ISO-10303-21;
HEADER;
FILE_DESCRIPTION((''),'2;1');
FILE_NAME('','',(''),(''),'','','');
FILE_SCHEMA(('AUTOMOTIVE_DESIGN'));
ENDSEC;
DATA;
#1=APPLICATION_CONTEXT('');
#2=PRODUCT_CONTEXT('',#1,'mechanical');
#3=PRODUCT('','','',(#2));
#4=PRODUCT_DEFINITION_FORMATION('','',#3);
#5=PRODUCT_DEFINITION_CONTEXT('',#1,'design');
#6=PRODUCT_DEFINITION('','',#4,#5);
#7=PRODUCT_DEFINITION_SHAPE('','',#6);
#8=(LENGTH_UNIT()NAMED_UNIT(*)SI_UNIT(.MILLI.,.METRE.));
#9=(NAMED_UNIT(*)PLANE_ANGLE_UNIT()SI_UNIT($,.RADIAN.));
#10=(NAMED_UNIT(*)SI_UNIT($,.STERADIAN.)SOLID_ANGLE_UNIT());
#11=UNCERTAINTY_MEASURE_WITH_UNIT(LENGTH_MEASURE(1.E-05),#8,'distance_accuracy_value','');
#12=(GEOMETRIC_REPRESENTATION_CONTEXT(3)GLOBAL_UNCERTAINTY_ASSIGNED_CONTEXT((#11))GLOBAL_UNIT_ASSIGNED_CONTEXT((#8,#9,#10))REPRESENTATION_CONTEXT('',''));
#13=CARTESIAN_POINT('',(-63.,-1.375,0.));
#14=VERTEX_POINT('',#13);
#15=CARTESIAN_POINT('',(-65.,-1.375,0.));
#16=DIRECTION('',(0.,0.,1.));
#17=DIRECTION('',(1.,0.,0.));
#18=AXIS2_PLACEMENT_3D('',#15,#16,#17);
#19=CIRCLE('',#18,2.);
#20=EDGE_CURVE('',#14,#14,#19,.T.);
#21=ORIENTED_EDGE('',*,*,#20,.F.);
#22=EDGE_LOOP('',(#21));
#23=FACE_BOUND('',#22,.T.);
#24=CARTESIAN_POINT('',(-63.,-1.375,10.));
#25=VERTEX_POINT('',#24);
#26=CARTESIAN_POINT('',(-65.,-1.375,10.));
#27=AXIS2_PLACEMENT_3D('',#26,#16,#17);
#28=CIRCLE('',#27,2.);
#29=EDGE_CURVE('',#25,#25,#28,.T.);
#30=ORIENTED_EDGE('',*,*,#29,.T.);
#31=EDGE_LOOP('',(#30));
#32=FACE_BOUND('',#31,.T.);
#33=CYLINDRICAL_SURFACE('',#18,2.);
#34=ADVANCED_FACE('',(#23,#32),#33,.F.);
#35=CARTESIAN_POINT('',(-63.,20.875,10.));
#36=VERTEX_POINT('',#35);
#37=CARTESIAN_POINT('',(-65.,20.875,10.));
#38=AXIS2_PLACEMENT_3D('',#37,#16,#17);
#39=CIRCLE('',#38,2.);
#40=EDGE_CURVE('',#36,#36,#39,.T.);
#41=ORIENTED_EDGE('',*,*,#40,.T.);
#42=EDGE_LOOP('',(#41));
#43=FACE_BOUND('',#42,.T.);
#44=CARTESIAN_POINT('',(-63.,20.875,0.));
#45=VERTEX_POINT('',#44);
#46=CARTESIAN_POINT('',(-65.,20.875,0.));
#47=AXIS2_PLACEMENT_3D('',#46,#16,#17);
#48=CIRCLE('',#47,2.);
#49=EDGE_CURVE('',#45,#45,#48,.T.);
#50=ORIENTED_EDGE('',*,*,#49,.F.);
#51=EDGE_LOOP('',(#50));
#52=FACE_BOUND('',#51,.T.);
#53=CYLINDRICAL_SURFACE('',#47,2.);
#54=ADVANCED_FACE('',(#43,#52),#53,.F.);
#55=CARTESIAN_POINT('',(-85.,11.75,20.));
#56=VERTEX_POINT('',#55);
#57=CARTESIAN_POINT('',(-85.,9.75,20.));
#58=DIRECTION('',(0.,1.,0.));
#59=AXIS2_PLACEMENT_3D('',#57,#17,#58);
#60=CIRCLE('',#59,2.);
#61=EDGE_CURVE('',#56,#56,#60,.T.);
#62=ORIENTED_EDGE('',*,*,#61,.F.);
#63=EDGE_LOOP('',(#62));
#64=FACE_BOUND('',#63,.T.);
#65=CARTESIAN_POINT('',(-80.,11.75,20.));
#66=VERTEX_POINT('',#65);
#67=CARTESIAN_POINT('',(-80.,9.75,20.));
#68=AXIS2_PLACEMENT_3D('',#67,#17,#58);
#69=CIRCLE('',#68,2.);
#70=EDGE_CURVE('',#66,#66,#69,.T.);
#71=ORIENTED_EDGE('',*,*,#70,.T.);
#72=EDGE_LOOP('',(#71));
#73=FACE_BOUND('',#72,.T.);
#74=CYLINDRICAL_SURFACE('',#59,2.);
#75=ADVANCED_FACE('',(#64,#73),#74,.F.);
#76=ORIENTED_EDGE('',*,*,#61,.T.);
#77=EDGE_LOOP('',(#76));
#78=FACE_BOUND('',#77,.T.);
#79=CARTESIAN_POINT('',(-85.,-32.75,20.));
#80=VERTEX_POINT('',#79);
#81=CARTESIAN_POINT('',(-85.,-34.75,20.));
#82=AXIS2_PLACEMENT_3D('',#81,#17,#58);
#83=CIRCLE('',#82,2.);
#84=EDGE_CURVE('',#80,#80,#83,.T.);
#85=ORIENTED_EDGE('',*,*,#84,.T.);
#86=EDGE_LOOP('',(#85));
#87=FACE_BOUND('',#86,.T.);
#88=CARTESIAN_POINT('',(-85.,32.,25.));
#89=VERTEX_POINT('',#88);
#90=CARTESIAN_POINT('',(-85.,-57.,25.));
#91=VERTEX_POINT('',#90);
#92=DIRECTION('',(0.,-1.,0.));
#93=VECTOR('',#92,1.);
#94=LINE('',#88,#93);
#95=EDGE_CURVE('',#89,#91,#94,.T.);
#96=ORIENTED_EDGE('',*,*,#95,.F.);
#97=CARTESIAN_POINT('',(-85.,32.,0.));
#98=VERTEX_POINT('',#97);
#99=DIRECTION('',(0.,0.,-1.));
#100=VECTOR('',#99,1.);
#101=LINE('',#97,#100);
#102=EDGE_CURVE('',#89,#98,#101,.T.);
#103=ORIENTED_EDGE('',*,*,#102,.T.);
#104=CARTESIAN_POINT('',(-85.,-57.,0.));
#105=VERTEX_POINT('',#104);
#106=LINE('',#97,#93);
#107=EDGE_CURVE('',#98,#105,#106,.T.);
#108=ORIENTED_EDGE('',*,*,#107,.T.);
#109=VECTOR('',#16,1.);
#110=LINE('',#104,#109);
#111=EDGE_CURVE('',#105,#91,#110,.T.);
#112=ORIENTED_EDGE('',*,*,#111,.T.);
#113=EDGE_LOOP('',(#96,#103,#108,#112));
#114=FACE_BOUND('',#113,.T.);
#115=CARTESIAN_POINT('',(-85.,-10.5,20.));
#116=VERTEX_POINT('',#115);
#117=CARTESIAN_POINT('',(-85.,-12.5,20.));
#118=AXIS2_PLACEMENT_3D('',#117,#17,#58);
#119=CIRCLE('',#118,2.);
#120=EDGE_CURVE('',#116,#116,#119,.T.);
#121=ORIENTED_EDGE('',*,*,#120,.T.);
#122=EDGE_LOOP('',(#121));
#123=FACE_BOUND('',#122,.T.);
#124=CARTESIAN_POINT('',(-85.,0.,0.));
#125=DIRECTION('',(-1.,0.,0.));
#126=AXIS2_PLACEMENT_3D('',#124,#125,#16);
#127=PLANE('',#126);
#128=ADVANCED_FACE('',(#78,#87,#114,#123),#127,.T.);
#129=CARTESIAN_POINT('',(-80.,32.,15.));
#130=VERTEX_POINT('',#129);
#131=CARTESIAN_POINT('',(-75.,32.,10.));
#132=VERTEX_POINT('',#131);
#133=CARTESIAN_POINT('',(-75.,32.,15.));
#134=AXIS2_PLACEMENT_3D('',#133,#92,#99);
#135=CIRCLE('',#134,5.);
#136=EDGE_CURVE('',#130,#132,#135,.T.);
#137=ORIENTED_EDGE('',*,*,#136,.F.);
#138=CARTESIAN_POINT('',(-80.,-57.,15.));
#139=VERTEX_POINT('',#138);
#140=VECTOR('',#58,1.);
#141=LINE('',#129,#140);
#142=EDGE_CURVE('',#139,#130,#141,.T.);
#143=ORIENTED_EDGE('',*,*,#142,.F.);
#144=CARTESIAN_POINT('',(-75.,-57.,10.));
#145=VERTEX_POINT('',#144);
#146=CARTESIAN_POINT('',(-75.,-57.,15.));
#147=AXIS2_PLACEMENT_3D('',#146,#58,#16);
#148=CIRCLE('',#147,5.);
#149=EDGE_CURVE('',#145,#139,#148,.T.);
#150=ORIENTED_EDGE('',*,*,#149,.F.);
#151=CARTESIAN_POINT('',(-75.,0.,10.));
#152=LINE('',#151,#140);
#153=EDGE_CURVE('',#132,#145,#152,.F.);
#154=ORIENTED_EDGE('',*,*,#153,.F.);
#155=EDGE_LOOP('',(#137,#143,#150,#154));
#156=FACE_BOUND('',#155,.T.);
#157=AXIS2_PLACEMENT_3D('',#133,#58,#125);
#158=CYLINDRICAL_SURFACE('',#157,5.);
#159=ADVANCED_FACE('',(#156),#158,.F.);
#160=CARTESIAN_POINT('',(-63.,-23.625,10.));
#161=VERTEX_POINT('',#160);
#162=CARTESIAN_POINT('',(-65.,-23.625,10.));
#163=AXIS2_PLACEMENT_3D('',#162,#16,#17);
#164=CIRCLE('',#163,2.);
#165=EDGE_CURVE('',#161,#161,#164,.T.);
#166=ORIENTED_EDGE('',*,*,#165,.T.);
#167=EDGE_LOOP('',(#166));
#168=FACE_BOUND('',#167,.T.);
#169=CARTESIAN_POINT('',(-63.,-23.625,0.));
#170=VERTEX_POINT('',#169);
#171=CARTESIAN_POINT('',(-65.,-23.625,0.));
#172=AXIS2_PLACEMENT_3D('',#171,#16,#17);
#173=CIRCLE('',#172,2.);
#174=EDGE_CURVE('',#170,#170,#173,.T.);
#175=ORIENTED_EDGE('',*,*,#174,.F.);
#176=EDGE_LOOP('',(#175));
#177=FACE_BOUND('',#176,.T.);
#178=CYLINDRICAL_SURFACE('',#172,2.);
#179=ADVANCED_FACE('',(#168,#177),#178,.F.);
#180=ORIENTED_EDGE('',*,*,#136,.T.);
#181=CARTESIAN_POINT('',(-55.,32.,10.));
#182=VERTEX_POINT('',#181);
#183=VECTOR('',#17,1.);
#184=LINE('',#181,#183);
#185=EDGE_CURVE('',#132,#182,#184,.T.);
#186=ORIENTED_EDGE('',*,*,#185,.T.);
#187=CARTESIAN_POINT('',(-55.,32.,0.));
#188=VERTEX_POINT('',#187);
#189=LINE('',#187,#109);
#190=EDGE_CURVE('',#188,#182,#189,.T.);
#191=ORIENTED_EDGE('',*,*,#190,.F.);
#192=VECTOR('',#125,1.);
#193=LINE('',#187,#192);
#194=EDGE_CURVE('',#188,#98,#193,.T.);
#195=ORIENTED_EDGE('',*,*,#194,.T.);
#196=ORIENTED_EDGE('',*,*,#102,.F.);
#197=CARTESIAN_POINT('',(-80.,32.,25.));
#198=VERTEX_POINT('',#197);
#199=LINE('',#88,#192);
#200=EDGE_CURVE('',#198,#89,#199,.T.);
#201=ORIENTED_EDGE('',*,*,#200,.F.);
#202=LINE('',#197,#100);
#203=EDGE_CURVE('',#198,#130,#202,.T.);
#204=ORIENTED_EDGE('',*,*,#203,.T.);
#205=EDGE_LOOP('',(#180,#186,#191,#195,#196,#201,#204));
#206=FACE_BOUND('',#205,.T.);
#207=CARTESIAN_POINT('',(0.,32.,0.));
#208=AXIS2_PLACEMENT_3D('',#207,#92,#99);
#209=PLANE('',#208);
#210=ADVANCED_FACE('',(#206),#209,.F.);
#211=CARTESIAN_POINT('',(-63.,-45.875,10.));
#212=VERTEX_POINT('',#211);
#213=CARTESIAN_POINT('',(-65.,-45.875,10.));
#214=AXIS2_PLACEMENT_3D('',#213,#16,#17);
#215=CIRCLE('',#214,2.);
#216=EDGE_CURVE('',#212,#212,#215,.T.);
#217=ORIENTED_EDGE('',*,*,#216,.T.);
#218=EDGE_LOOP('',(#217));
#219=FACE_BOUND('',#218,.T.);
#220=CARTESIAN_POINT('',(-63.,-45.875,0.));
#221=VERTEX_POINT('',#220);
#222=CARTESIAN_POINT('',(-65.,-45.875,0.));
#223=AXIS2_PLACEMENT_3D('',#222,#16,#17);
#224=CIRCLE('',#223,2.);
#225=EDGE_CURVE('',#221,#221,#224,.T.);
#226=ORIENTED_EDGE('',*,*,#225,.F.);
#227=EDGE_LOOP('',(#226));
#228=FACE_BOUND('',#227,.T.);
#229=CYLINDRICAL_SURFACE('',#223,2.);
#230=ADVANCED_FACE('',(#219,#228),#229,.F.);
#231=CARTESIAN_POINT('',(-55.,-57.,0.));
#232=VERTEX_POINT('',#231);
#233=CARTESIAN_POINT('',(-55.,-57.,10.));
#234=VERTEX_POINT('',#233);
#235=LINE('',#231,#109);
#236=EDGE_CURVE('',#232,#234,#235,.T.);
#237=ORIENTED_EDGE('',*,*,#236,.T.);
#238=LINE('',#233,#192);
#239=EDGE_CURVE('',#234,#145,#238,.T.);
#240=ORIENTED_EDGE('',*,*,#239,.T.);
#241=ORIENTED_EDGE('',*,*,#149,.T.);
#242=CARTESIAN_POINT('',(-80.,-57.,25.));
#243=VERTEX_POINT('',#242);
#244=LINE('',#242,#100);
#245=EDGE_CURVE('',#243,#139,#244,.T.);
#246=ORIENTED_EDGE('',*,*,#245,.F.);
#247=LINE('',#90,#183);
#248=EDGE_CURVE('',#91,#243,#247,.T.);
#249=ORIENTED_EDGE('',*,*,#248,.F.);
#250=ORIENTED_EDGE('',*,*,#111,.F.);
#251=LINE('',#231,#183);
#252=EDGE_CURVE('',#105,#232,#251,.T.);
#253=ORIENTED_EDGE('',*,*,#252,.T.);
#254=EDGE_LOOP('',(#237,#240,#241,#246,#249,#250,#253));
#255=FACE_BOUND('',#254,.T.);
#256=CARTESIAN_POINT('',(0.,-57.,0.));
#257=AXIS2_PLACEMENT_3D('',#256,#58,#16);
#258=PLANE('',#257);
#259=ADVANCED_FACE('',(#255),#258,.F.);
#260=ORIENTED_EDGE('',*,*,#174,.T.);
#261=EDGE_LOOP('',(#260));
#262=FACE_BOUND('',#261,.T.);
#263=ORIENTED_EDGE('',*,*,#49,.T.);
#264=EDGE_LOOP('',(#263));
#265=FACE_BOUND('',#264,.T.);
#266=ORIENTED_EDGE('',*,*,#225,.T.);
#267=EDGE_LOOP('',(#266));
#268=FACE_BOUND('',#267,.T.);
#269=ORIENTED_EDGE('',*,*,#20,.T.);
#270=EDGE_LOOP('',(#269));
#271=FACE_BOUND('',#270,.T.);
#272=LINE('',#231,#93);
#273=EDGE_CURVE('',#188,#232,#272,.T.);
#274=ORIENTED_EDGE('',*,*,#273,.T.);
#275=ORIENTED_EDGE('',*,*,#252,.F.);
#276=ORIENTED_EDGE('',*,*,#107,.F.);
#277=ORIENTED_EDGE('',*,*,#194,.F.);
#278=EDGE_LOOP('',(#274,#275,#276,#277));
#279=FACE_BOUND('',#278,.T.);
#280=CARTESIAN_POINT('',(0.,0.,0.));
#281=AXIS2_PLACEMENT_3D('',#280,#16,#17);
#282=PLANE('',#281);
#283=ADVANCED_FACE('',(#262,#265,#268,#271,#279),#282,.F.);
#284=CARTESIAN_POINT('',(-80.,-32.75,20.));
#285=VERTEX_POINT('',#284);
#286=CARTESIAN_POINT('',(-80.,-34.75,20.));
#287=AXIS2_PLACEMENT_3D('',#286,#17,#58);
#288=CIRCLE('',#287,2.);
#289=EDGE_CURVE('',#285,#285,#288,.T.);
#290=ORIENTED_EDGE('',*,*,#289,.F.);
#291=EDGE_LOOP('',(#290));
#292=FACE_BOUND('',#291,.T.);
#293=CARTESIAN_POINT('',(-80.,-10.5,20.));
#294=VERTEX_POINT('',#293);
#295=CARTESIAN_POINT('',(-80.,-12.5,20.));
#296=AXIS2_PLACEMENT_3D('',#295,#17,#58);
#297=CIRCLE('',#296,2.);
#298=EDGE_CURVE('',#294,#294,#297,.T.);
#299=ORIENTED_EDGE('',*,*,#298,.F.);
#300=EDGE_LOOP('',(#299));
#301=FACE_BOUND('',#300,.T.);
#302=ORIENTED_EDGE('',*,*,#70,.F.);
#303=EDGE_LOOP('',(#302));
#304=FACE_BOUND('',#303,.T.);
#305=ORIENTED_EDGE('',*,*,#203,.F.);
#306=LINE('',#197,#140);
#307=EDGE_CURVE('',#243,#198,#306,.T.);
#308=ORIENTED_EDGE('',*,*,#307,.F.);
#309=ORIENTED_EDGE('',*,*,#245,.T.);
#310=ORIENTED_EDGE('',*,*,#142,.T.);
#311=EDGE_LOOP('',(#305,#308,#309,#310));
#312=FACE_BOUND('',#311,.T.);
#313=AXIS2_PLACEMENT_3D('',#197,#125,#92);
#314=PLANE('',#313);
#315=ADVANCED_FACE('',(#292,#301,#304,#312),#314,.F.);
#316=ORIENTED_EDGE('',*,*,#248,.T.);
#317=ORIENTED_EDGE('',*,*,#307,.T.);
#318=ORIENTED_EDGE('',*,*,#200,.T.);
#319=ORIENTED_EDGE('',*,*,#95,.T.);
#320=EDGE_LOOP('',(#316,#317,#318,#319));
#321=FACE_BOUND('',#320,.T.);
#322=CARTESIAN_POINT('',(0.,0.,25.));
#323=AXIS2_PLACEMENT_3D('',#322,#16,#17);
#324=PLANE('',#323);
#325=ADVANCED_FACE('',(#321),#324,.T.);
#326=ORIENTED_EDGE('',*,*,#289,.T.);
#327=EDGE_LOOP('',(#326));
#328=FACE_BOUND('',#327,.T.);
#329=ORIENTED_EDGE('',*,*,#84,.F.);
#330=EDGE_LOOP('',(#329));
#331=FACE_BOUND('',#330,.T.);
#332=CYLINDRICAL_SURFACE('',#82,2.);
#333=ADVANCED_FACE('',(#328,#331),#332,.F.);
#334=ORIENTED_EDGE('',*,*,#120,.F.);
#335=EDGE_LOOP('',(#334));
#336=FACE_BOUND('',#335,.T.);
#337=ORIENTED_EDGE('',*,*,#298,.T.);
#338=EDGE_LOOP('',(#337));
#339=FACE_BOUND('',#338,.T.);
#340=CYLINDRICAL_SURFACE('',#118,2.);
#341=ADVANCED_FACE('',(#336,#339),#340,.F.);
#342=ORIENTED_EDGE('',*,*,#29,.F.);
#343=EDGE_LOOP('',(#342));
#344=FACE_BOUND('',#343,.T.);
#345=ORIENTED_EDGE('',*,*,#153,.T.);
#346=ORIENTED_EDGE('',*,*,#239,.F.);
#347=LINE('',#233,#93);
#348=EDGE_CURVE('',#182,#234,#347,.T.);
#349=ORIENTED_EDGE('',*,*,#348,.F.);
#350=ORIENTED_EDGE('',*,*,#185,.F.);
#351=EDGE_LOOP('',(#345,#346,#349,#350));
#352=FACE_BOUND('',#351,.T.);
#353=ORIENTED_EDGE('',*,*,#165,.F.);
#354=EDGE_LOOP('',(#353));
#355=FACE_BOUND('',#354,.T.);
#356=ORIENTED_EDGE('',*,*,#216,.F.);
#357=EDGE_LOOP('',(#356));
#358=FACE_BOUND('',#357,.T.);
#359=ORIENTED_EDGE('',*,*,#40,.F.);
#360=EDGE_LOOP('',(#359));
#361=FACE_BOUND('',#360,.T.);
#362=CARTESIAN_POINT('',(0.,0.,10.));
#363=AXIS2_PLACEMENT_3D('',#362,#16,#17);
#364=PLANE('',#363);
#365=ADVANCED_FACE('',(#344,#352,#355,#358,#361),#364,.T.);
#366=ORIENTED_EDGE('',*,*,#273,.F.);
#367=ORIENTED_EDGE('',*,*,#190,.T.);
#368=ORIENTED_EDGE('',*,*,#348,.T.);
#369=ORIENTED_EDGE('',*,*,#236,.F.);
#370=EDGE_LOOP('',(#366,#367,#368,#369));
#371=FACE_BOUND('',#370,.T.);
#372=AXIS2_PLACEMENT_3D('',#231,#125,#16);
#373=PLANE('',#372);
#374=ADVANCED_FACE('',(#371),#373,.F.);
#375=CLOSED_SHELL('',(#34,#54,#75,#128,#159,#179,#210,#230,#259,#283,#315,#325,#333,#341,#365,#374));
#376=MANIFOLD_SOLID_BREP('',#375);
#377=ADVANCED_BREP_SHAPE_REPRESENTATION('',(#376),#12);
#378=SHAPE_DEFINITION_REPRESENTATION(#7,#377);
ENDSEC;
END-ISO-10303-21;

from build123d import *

# Parameters (mm, degrees)
BOSS_EXTRUDE1_DEPTH     = 10
CUT_EXTRUDE1_DEPTH      = 72.414284285
CUT_EXTRUDE1_DEPTH_BACK = 72.414284285
SKETCH2_R               = 1.5
SKETCH9_W               = 10
SKETCH9_H               = 50
BOSS_EXTRUDE9_DEPTH     = 5
SKETCH10_W              = 10
SKETCH10_H              = 50
BOSS_EXTRUDE10_DEPTH    = 5
BOSS_EXTRUDE11_DEPTH    = 2
SKETCH12_W              = 10
SKETCH12_H              = 10
BOSS_EXTRUDE12_DEPTH    = 5
CUT_EXTRUDE2_START      = 7
SKETCH13_R              = 1.5
CUT_EXTRUDE2_DEPTH      = 7
BOSS_EXTRUDE13_DEPTH    = 2
SKETCH15_W              = 9.981523119
SKETCH15_H              = 10
BOSS_EXTRUDE14_DEPTH    = 30
SKETCH16_R              = 1.5
CUT_EXTRUDE3_DEPTH      = 32
SKETCH17_W              = 10
SKETCH17_H              = 89
BOSS_EXTRUDE15_DEPTH    = 30
SKETCH19_W              = 5
SKETCH19_H              = 89
BOSS_EXTRUDE16_DEPTH    = 15
FILLET1_R               = 5
SKETCH20_R              = 2
CUT_EXTRUDE4_DEPTH      = 149.657324071
SKETCH21_R              = 2
CUT_EXTRUDE5_DEPTH      = 10
SKETCH22_W              = 110
SKETCH22_H              = 89
CUT_EXTRUDE6_DEPTH      = 104.435970532


with BuildPart() as part:
    # Sketch1 → Boss-Extrude1 (new body)
    with BuildSketch(Plane.XY):
        with BuildLine():
            Line((45.018476881, -25), (50, -25))
            Line((50, -25), (50, 25))
            Line((50, 25), (45, 25))
            ThreePointArc((45, 25), (0, 8), (-45, 25))
            Line((-45, 25), (-50, 25))
            Line((-50, 25), (-50, -25))
            Line((-50, -25), (-45.018476881, -25))
            ThreePointArc((-45.018476881, -25), (0, -8), (45.018476881, -25))
        make_face()
    extrude(amount=BOSS_EXTRUDE1_DEPTH)

    # Sketch2 → Cut-Extrude1 (cut, two sides: drawn at the far end of the back side and taken through both)
    with BuildSketch(Plane(origin=(0, 25, 0), x_dir=(1, 0, 0), z_dir=(0, 1, 0)).offset(-CUT_EXTRUDE1_DEPTH_BACK)):
        with Locations(Location((-48, -5, 0), (0, 0, 180))):
            Circle(SKETCH2_R)
        with Locations(Location((48, -5, 0), (0, 0, 180))):
            Circle(SKETCH2_R)
    extrude(amount=CUT_EXTRUDE1_DEPTH + CUT_EXTRUDE1_DEPTH_BACK, mode=Mode.SUBTRACT)

    # Sketch9 → Boss-Extrude9 (add)
    with BuildSketch(Plane(origin=(50, 0, 0), x_dir=(0, 0, -1), z_dir=(1, 0, 0))):
        with Locations((-5, 0)):
            Rectangle(SKETCH9_W, SKETCH9_H)
    extrude(amount=BOSS_EXTRUDE9_DEPTH)

    # Sketch10 → Boss-Extrude10 (add)
    with BuildSketch(Plane.ZY.offset(50)):
        with Locations((5, 0)):
            Rectangle(SKETCH10_W, SKETCH10_H)
    extrude(amount=BOSS_EXTRUDE10_DEPTH)

    # Sketch11 → Boss-Extrude11 (add)
    with BuildSketch(Plane(origin=(0, 25, 0), x_dir=(1, 0, 0), z_dir=(0, 1, 0))):
        Polygon((50, 0), (50, -7), (45, -7), (45, -10), (55, -10), (55, 0), align=None)
        Polygon((-50, 0), (-50, -7), (-45, -7), (-45, -10), (-55, -10), (-55, 0), align=None)
    extrude(amount=BOSS_EXTRUDE11_DEPTH)

    # Sketch12 → Boss-Extrude12 (add)
    with BuildSketch(Plane(origin=(0, 27, 0), x_dir=(1, 0, 0), z_dir=(0, 1, 0))):
        with Locations((50, -5)):
            Rectangle(SKETCH12_W, SKETCH12_H)
        with Locations((-50, -5)):
            Rectangle(SKETCH12_W, SKETCH12_H)
    extrude(amount=BOSS_EXTRUDE12_DEPTH)

    # Sketch13 → Cut-Extrude2 (cut)
    with BuildSketch(Plane(origin=(0, 25, 0), x_dir=(1, 0, 0), z_dir=(0, 1, 0)).offset(CUT_EXTRUDE2_START)):
        with Locations(Location((48, -5, 0), (0, 0, 180))):
            Circle(SKETCH13_R)
        with Locations(Location((-48, -5, 0), (0, 0, 180))):
            Circle(SKETCH13_R)
    extrude(amount=-CUT_EXTRUDE2_DEPTH, mode=Mode.SUBTRACT)

    # Sketch14 → Boss-Extrude13 (add)
    with BuildSketch(Plane.XZ.offset(25)):
        Polygon((50.009238441, 0), (50.009238441, 7), (45.018476881, 7), (45.018476881, 10), (55, 10), (55, 0), align=None)
        Polygon((-50.009238441, 0), (-50.009238441, 7), (-45.018476881, 7), (-45.018476881, 10), (-55, 10), (-55, 0), align=None)
    extrude(amount=BOSS_EXTRUDE13_DEPTH)

    # Sketch15 → Boss-Extrude14 (add)
    with BuildSketch(Plane.XZ.offset(27)):
        with Locations((-50.00923844, 5)):
            Rectangle(SKETCH15_W, SKETCH15_H)
        with Locations((50.00923844, 5)):
            Rectangle(SKETCH15_W, SKETCH15_H)
    extrude(amount=BOSS_EXTRUDE14_DEPTH)

    # Sketch16 → Cut-Extrude3 (cut)
    with BuildSketch(Plane.XZ.offset(25)):
        with Locations(Location((48, 5, 0), (0, 0, 180))):
            Circle(SKETCH16_R)
        with Locations(Location((-48, 5, 0), (0, 0, 180))):
            Circle(SKETCH16_R)
    extrude(amount=CUT_EXTRUDE3_DEPTH, mode=Mode.SUBTRACT)

    # Sketch17 → Boss-Extrude15 (add)
    with BuildSketch(Plane.ZY.offset(55)):
        with Locations((5, -12.5)):
            Rectangle(SKETCH17_W, SKETCH17_H)
    extrude(amount=BOSS_EXTRUDE15_DEPTH)

    # Sketch19 → Boss-Extrude16 (add)
    with BuildSketch(Plane.XY.offset(10)):
        with Locations((-82.5, -12.5)):
            Rectangle(SKETCH19_W, SKETCH19_H)
    extrude(amount=BOSS_EXTRUDE16_DEPTH)

    # Fillet1
    fillet1_edges = [part.edges().sort_by_distance(p)[0] for p in [
        (-80, -12.5, 10),
    ]]
    fillet(fillet1_edges, radius=FILLET1_R)

    # Sketch20 → Cut-Extrude4 (cut, through all)
    with BuildSketch(Plane(origin=(-80, 0, 0), x_dir=(0, 0, -1), z_dir=(1, 0, 0))):
        with Locations(Location((-20, 9.75, 0), (0, 0, 90))):
            Circle(SKETCH20_R)
        with Locations(Location((-20, -12.5, 0), (0, 0, 90))):
            Circle(SKETCH20_R)
        with Locations(Location((-20, -34.75, 0), (0, 0, 90))):
            Circle(SKETCH20_R)
    extrude(amount=-CUT_EXTRUDE4_DEPTH, mode=Mode.SUBTRACT)

    # Sketch21 → Cut-Extrude5 (cut)
    with BuildSketch(Plane.XY.offset(10)):
        with Locations((-65, 20.875)):
            Circle(SKETCH21_R)
        with Locations((-65, -1.375)):
            Circle(SKETCH21_R)
        with Locations((-65, -23.625)):
            Circle(SKETCH21_R)
        with Locations((-65, -45.875)):
            Circle(SKETCH21_R)
    extrude(amount=-CUT_EXTRUDE5_DEPTH, mode=Mode.SUBTRACT)

    # Sketch22 → Cut-Extrude6 (cut, through all)
    with BuildSketch(Plane.XY.offset(10)):
        with Locations((0, -12.5)):
            Rectangle(SKETCH22_W, SKETCH22_H)
    extrude(amount=-CUT_EXTRUDE6_DEPTH, mode=Mode.SUBTRACT)


solid = part.part
